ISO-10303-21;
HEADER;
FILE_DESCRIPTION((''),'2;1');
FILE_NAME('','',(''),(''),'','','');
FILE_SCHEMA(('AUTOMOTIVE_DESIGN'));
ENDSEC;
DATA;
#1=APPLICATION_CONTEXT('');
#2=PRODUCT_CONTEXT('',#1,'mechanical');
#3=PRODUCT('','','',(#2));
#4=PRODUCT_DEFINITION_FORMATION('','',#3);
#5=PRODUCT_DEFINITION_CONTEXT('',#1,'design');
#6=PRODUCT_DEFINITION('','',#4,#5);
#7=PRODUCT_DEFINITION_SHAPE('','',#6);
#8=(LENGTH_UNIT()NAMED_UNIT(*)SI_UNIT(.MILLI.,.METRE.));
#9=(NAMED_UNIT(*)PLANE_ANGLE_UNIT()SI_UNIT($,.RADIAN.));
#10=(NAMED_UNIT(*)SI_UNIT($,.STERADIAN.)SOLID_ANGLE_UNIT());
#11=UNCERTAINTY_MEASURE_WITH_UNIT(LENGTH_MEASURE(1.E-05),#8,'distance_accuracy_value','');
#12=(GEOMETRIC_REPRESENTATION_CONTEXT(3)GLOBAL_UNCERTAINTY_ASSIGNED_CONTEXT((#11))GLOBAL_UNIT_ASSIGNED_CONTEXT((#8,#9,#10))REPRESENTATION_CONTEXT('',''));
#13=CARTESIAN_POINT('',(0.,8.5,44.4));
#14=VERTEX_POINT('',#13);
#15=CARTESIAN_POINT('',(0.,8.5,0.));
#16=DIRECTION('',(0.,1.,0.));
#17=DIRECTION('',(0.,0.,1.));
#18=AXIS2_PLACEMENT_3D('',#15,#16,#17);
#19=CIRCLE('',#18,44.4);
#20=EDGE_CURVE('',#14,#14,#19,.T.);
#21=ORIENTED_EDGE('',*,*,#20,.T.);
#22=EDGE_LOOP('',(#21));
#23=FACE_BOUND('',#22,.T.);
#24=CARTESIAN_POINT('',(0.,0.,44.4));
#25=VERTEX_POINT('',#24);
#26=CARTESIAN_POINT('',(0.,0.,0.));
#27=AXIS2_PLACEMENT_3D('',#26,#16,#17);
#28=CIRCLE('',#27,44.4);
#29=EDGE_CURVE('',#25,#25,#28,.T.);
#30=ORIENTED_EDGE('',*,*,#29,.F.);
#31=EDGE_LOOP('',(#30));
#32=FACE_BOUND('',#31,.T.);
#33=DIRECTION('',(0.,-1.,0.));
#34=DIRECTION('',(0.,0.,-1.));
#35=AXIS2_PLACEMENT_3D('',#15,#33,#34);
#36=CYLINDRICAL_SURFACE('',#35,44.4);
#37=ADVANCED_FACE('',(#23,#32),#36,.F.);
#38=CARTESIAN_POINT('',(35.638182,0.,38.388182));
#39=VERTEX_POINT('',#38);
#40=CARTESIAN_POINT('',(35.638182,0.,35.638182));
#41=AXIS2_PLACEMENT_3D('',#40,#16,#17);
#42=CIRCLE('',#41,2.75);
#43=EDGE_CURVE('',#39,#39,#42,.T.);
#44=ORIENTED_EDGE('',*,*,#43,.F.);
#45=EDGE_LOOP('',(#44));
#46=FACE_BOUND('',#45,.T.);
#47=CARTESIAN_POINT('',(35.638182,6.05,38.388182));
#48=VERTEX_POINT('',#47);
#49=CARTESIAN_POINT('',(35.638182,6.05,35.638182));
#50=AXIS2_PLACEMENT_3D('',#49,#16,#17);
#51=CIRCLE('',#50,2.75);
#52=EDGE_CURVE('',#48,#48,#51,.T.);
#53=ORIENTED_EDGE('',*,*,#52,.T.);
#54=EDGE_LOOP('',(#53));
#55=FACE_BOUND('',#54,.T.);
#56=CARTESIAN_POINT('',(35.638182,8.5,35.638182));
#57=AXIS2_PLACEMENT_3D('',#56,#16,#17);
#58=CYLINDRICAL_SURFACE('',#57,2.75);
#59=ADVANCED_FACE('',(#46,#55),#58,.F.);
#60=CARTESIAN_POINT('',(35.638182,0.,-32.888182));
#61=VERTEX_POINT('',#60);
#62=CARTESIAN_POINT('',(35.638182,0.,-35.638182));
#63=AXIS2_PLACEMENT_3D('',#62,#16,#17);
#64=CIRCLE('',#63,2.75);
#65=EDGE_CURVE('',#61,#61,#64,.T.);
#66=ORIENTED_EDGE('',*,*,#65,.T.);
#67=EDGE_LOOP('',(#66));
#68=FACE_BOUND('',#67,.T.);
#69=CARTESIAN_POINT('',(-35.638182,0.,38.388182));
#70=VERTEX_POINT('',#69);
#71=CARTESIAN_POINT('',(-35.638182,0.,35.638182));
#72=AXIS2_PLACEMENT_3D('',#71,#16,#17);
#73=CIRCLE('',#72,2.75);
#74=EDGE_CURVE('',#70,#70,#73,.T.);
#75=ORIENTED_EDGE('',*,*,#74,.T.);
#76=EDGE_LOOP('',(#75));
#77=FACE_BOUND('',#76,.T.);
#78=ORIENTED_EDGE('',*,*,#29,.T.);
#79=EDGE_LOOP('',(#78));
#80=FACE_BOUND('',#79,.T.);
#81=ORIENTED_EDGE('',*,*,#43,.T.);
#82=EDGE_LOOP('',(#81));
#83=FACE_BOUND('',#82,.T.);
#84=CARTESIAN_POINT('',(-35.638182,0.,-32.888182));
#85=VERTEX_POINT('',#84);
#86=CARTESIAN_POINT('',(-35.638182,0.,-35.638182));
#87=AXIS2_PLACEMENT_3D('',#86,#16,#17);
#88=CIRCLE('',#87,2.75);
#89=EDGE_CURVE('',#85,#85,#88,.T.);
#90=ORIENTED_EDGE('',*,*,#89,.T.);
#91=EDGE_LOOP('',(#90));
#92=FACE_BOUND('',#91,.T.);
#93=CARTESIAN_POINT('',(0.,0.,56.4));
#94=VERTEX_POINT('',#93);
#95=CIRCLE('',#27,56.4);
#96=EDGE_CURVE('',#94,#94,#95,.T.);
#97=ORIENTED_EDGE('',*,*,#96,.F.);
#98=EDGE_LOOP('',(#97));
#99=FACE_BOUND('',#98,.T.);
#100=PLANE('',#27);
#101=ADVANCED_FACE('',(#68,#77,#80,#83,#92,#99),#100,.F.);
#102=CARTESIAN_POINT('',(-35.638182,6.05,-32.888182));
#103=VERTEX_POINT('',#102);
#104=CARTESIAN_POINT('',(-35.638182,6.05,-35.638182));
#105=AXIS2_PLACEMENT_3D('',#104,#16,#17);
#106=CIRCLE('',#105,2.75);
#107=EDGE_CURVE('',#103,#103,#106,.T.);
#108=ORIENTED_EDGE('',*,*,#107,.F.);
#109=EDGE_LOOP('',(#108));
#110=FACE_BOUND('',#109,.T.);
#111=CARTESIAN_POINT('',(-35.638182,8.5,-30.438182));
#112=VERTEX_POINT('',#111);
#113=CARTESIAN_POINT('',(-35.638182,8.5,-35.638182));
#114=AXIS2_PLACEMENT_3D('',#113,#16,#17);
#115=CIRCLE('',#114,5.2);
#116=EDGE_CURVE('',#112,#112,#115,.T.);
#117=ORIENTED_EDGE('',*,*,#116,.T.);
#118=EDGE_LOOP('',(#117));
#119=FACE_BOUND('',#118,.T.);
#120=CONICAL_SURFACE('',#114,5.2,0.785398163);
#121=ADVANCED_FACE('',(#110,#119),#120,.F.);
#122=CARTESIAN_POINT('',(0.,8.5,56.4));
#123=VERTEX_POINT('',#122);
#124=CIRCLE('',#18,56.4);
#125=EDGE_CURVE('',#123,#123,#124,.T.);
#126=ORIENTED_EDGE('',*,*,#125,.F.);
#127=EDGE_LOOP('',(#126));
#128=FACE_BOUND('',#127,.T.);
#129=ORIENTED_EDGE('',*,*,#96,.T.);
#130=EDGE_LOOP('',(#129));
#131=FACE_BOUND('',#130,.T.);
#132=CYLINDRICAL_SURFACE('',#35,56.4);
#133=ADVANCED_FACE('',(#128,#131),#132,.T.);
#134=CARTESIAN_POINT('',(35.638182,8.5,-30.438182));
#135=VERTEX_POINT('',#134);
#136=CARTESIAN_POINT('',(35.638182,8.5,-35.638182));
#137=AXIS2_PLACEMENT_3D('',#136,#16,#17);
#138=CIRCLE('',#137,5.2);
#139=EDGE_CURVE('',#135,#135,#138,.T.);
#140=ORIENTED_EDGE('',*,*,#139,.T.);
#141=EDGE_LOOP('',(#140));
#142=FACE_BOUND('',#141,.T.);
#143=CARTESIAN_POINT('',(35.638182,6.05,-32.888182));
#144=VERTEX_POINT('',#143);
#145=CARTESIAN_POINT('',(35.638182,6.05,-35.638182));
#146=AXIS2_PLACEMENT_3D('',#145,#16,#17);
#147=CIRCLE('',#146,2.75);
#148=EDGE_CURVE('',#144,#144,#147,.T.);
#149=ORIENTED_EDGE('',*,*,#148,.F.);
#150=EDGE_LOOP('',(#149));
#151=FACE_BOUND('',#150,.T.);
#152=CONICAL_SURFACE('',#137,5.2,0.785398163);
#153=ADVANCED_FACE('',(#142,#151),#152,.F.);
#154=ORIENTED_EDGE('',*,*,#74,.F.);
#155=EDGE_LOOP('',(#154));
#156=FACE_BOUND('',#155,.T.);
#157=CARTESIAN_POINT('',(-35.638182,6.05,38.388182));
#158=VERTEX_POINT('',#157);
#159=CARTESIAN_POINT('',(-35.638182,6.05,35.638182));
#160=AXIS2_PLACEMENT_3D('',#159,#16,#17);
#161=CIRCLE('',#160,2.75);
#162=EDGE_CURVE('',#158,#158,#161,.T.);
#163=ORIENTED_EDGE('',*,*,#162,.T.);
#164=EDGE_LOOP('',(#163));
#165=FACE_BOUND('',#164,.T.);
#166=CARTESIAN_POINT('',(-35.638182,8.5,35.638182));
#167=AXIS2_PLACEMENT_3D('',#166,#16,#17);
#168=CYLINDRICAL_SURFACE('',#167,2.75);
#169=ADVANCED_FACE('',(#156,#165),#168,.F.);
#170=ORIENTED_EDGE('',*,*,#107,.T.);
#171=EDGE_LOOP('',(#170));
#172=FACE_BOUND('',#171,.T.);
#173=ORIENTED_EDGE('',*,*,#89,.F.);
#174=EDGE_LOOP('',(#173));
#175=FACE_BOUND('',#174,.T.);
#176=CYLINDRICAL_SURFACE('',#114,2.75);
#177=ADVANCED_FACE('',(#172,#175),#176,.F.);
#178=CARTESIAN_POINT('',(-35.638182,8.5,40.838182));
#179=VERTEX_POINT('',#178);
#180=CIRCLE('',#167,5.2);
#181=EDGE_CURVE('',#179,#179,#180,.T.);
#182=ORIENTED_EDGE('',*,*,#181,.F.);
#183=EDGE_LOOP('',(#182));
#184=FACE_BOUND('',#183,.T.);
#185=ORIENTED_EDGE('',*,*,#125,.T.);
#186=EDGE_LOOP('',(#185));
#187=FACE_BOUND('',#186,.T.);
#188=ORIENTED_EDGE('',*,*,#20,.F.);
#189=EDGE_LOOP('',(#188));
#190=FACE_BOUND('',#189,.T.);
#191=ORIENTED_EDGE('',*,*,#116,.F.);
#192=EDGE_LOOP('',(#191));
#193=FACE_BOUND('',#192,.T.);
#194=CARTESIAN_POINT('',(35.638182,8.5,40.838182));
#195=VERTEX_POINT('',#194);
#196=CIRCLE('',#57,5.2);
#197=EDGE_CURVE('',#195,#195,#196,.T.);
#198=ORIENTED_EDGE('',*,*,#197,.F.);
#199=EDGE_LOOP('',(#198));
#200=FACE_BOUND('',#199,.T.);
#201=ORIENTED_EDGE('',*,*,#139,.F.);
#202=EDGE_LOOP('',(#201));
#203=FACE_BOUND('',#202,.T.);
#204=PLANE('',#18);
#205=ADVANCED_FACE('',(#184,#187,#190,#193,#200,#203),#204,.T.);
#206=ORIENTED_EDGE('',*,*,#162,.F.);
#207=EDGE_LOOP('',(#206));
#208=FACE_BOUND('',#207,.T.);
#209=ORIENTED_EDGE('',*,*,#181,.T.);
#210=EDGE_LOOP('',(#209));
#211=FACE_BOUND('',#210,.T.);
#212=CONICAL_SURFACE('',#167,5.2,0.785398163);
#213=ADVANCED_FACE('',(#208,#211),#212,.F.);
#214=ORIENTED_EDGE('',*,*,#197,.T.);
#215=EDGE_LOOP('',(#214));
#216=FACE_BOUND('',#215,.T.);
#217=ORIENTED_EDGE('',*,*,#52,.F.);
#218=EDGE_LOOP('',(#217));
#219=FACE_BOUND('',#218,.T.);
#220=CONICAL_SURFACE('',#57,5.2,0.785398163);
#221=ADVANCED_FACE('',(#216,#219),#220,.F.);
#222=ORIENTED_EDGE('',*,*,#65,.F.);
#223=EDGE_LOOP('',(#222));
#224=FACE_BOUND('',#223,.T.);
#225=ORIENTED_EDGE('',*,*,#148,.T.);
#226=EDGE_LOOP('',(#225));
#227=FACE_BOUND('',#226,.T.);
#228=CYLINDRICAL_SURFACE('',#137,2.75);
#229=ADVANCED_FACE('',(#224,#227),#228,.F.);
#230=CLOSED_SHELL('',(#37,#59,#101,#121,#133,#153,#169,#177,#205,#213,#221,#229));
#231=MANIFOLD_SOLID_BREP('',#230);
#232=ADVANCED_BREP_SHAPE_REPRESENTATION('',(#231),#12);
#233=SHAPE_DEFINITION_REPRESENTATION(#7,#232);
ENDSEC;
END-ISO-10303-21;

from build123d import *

# Parameters (mm, degrees)
SKETCH1_R                                       = 56.4
SKETCH1_R_2                                     = 44.4
BOSS_EXTRUDE1_DEPTH                             = 8.5
CSK_FOR_M5_FLAT_HEAD_MACHINE_SCREW1_D           = 5.5
CSK_FOR_M5_FLAT_HEAD_MACHINE_SCREW1_DEPTH       = 30
CSK_FOR_M5_FLAT_HEAD_MACHINE_SCREW1_CSINK_D     = 10.4
CSK_FOR_M5_FLAT_HEAD_MACHINE_SCREW1_CSINK_ANGLE = 90
CSK_FOR_M5_FLAT_HEAD_MACHINE_SCREW1_TIP         = 1.652366702


with BuildPart() as part:
    # Sketch1 → Boss-Extrude1 (new body)
    with BuildSketch(Plane(origin=(0, 0, 0), x_dir=(1, 0, 0), z_dir=(0, 1, 0))):
        with Locations(Location((0, 0, 0), (0, 0, 270))):
            Circle(SKETCH1_R)
        with Locations(Location((0, 0, 0), (0, 0, 270))):
            Circle(SKETCH1_R_2, mode=Mode.SUBTRACT)
    extrude(amount=BOSS_EXTRUDE1_DEPTH)

    # CSK for M5 Flat Head Machine Screw1
    with Locations(Plane(origin=(0, 8.5, 0), x_dir=(1, 0, 0), z_dir=(0, 1, 0))):
        with Locations((35.638181772, 35.638181772), (35.638181772, -35.638181772), (-35.638181772, -35.638181772), (-35.638181772, 35.638181772)):
            CounterSinkHole(CSK_FOR_M5_FLAT_HEAD_MACHINE_SCREW1_D / 2, CSK_FOR_M5_FLAT_HEAD_MACHINE_SCREW1_CSINK_D / 2, depth=CSK_FOR_M5_FLAT_HEAD_MACHINE_SCREW1_DEPTH, counter_sink_angle=CSK_FOR_M5_FLAT_HEAD_MACHINE_SCREW1_CSINK_ANGLE)
            with Locations((0, 0, -(CSK_FOR_M5_FLAT_HEAD_MACHINE_SCREW1_DEPTH + CSK_FOR_M5_FLAT_HEAD_MACHINE_SCREW1_TIP / 2))):  # 118° drill point
                Cone(0, CSK_FOR_M5_FLAT_HEAD_MACHINE_SCREW1_D / 2, CSK_FOR_M5_FLAT_HEAD_MACHINE_SCREW1_TIP, mode=Mode.SUBTRACT)


solid = part.part
